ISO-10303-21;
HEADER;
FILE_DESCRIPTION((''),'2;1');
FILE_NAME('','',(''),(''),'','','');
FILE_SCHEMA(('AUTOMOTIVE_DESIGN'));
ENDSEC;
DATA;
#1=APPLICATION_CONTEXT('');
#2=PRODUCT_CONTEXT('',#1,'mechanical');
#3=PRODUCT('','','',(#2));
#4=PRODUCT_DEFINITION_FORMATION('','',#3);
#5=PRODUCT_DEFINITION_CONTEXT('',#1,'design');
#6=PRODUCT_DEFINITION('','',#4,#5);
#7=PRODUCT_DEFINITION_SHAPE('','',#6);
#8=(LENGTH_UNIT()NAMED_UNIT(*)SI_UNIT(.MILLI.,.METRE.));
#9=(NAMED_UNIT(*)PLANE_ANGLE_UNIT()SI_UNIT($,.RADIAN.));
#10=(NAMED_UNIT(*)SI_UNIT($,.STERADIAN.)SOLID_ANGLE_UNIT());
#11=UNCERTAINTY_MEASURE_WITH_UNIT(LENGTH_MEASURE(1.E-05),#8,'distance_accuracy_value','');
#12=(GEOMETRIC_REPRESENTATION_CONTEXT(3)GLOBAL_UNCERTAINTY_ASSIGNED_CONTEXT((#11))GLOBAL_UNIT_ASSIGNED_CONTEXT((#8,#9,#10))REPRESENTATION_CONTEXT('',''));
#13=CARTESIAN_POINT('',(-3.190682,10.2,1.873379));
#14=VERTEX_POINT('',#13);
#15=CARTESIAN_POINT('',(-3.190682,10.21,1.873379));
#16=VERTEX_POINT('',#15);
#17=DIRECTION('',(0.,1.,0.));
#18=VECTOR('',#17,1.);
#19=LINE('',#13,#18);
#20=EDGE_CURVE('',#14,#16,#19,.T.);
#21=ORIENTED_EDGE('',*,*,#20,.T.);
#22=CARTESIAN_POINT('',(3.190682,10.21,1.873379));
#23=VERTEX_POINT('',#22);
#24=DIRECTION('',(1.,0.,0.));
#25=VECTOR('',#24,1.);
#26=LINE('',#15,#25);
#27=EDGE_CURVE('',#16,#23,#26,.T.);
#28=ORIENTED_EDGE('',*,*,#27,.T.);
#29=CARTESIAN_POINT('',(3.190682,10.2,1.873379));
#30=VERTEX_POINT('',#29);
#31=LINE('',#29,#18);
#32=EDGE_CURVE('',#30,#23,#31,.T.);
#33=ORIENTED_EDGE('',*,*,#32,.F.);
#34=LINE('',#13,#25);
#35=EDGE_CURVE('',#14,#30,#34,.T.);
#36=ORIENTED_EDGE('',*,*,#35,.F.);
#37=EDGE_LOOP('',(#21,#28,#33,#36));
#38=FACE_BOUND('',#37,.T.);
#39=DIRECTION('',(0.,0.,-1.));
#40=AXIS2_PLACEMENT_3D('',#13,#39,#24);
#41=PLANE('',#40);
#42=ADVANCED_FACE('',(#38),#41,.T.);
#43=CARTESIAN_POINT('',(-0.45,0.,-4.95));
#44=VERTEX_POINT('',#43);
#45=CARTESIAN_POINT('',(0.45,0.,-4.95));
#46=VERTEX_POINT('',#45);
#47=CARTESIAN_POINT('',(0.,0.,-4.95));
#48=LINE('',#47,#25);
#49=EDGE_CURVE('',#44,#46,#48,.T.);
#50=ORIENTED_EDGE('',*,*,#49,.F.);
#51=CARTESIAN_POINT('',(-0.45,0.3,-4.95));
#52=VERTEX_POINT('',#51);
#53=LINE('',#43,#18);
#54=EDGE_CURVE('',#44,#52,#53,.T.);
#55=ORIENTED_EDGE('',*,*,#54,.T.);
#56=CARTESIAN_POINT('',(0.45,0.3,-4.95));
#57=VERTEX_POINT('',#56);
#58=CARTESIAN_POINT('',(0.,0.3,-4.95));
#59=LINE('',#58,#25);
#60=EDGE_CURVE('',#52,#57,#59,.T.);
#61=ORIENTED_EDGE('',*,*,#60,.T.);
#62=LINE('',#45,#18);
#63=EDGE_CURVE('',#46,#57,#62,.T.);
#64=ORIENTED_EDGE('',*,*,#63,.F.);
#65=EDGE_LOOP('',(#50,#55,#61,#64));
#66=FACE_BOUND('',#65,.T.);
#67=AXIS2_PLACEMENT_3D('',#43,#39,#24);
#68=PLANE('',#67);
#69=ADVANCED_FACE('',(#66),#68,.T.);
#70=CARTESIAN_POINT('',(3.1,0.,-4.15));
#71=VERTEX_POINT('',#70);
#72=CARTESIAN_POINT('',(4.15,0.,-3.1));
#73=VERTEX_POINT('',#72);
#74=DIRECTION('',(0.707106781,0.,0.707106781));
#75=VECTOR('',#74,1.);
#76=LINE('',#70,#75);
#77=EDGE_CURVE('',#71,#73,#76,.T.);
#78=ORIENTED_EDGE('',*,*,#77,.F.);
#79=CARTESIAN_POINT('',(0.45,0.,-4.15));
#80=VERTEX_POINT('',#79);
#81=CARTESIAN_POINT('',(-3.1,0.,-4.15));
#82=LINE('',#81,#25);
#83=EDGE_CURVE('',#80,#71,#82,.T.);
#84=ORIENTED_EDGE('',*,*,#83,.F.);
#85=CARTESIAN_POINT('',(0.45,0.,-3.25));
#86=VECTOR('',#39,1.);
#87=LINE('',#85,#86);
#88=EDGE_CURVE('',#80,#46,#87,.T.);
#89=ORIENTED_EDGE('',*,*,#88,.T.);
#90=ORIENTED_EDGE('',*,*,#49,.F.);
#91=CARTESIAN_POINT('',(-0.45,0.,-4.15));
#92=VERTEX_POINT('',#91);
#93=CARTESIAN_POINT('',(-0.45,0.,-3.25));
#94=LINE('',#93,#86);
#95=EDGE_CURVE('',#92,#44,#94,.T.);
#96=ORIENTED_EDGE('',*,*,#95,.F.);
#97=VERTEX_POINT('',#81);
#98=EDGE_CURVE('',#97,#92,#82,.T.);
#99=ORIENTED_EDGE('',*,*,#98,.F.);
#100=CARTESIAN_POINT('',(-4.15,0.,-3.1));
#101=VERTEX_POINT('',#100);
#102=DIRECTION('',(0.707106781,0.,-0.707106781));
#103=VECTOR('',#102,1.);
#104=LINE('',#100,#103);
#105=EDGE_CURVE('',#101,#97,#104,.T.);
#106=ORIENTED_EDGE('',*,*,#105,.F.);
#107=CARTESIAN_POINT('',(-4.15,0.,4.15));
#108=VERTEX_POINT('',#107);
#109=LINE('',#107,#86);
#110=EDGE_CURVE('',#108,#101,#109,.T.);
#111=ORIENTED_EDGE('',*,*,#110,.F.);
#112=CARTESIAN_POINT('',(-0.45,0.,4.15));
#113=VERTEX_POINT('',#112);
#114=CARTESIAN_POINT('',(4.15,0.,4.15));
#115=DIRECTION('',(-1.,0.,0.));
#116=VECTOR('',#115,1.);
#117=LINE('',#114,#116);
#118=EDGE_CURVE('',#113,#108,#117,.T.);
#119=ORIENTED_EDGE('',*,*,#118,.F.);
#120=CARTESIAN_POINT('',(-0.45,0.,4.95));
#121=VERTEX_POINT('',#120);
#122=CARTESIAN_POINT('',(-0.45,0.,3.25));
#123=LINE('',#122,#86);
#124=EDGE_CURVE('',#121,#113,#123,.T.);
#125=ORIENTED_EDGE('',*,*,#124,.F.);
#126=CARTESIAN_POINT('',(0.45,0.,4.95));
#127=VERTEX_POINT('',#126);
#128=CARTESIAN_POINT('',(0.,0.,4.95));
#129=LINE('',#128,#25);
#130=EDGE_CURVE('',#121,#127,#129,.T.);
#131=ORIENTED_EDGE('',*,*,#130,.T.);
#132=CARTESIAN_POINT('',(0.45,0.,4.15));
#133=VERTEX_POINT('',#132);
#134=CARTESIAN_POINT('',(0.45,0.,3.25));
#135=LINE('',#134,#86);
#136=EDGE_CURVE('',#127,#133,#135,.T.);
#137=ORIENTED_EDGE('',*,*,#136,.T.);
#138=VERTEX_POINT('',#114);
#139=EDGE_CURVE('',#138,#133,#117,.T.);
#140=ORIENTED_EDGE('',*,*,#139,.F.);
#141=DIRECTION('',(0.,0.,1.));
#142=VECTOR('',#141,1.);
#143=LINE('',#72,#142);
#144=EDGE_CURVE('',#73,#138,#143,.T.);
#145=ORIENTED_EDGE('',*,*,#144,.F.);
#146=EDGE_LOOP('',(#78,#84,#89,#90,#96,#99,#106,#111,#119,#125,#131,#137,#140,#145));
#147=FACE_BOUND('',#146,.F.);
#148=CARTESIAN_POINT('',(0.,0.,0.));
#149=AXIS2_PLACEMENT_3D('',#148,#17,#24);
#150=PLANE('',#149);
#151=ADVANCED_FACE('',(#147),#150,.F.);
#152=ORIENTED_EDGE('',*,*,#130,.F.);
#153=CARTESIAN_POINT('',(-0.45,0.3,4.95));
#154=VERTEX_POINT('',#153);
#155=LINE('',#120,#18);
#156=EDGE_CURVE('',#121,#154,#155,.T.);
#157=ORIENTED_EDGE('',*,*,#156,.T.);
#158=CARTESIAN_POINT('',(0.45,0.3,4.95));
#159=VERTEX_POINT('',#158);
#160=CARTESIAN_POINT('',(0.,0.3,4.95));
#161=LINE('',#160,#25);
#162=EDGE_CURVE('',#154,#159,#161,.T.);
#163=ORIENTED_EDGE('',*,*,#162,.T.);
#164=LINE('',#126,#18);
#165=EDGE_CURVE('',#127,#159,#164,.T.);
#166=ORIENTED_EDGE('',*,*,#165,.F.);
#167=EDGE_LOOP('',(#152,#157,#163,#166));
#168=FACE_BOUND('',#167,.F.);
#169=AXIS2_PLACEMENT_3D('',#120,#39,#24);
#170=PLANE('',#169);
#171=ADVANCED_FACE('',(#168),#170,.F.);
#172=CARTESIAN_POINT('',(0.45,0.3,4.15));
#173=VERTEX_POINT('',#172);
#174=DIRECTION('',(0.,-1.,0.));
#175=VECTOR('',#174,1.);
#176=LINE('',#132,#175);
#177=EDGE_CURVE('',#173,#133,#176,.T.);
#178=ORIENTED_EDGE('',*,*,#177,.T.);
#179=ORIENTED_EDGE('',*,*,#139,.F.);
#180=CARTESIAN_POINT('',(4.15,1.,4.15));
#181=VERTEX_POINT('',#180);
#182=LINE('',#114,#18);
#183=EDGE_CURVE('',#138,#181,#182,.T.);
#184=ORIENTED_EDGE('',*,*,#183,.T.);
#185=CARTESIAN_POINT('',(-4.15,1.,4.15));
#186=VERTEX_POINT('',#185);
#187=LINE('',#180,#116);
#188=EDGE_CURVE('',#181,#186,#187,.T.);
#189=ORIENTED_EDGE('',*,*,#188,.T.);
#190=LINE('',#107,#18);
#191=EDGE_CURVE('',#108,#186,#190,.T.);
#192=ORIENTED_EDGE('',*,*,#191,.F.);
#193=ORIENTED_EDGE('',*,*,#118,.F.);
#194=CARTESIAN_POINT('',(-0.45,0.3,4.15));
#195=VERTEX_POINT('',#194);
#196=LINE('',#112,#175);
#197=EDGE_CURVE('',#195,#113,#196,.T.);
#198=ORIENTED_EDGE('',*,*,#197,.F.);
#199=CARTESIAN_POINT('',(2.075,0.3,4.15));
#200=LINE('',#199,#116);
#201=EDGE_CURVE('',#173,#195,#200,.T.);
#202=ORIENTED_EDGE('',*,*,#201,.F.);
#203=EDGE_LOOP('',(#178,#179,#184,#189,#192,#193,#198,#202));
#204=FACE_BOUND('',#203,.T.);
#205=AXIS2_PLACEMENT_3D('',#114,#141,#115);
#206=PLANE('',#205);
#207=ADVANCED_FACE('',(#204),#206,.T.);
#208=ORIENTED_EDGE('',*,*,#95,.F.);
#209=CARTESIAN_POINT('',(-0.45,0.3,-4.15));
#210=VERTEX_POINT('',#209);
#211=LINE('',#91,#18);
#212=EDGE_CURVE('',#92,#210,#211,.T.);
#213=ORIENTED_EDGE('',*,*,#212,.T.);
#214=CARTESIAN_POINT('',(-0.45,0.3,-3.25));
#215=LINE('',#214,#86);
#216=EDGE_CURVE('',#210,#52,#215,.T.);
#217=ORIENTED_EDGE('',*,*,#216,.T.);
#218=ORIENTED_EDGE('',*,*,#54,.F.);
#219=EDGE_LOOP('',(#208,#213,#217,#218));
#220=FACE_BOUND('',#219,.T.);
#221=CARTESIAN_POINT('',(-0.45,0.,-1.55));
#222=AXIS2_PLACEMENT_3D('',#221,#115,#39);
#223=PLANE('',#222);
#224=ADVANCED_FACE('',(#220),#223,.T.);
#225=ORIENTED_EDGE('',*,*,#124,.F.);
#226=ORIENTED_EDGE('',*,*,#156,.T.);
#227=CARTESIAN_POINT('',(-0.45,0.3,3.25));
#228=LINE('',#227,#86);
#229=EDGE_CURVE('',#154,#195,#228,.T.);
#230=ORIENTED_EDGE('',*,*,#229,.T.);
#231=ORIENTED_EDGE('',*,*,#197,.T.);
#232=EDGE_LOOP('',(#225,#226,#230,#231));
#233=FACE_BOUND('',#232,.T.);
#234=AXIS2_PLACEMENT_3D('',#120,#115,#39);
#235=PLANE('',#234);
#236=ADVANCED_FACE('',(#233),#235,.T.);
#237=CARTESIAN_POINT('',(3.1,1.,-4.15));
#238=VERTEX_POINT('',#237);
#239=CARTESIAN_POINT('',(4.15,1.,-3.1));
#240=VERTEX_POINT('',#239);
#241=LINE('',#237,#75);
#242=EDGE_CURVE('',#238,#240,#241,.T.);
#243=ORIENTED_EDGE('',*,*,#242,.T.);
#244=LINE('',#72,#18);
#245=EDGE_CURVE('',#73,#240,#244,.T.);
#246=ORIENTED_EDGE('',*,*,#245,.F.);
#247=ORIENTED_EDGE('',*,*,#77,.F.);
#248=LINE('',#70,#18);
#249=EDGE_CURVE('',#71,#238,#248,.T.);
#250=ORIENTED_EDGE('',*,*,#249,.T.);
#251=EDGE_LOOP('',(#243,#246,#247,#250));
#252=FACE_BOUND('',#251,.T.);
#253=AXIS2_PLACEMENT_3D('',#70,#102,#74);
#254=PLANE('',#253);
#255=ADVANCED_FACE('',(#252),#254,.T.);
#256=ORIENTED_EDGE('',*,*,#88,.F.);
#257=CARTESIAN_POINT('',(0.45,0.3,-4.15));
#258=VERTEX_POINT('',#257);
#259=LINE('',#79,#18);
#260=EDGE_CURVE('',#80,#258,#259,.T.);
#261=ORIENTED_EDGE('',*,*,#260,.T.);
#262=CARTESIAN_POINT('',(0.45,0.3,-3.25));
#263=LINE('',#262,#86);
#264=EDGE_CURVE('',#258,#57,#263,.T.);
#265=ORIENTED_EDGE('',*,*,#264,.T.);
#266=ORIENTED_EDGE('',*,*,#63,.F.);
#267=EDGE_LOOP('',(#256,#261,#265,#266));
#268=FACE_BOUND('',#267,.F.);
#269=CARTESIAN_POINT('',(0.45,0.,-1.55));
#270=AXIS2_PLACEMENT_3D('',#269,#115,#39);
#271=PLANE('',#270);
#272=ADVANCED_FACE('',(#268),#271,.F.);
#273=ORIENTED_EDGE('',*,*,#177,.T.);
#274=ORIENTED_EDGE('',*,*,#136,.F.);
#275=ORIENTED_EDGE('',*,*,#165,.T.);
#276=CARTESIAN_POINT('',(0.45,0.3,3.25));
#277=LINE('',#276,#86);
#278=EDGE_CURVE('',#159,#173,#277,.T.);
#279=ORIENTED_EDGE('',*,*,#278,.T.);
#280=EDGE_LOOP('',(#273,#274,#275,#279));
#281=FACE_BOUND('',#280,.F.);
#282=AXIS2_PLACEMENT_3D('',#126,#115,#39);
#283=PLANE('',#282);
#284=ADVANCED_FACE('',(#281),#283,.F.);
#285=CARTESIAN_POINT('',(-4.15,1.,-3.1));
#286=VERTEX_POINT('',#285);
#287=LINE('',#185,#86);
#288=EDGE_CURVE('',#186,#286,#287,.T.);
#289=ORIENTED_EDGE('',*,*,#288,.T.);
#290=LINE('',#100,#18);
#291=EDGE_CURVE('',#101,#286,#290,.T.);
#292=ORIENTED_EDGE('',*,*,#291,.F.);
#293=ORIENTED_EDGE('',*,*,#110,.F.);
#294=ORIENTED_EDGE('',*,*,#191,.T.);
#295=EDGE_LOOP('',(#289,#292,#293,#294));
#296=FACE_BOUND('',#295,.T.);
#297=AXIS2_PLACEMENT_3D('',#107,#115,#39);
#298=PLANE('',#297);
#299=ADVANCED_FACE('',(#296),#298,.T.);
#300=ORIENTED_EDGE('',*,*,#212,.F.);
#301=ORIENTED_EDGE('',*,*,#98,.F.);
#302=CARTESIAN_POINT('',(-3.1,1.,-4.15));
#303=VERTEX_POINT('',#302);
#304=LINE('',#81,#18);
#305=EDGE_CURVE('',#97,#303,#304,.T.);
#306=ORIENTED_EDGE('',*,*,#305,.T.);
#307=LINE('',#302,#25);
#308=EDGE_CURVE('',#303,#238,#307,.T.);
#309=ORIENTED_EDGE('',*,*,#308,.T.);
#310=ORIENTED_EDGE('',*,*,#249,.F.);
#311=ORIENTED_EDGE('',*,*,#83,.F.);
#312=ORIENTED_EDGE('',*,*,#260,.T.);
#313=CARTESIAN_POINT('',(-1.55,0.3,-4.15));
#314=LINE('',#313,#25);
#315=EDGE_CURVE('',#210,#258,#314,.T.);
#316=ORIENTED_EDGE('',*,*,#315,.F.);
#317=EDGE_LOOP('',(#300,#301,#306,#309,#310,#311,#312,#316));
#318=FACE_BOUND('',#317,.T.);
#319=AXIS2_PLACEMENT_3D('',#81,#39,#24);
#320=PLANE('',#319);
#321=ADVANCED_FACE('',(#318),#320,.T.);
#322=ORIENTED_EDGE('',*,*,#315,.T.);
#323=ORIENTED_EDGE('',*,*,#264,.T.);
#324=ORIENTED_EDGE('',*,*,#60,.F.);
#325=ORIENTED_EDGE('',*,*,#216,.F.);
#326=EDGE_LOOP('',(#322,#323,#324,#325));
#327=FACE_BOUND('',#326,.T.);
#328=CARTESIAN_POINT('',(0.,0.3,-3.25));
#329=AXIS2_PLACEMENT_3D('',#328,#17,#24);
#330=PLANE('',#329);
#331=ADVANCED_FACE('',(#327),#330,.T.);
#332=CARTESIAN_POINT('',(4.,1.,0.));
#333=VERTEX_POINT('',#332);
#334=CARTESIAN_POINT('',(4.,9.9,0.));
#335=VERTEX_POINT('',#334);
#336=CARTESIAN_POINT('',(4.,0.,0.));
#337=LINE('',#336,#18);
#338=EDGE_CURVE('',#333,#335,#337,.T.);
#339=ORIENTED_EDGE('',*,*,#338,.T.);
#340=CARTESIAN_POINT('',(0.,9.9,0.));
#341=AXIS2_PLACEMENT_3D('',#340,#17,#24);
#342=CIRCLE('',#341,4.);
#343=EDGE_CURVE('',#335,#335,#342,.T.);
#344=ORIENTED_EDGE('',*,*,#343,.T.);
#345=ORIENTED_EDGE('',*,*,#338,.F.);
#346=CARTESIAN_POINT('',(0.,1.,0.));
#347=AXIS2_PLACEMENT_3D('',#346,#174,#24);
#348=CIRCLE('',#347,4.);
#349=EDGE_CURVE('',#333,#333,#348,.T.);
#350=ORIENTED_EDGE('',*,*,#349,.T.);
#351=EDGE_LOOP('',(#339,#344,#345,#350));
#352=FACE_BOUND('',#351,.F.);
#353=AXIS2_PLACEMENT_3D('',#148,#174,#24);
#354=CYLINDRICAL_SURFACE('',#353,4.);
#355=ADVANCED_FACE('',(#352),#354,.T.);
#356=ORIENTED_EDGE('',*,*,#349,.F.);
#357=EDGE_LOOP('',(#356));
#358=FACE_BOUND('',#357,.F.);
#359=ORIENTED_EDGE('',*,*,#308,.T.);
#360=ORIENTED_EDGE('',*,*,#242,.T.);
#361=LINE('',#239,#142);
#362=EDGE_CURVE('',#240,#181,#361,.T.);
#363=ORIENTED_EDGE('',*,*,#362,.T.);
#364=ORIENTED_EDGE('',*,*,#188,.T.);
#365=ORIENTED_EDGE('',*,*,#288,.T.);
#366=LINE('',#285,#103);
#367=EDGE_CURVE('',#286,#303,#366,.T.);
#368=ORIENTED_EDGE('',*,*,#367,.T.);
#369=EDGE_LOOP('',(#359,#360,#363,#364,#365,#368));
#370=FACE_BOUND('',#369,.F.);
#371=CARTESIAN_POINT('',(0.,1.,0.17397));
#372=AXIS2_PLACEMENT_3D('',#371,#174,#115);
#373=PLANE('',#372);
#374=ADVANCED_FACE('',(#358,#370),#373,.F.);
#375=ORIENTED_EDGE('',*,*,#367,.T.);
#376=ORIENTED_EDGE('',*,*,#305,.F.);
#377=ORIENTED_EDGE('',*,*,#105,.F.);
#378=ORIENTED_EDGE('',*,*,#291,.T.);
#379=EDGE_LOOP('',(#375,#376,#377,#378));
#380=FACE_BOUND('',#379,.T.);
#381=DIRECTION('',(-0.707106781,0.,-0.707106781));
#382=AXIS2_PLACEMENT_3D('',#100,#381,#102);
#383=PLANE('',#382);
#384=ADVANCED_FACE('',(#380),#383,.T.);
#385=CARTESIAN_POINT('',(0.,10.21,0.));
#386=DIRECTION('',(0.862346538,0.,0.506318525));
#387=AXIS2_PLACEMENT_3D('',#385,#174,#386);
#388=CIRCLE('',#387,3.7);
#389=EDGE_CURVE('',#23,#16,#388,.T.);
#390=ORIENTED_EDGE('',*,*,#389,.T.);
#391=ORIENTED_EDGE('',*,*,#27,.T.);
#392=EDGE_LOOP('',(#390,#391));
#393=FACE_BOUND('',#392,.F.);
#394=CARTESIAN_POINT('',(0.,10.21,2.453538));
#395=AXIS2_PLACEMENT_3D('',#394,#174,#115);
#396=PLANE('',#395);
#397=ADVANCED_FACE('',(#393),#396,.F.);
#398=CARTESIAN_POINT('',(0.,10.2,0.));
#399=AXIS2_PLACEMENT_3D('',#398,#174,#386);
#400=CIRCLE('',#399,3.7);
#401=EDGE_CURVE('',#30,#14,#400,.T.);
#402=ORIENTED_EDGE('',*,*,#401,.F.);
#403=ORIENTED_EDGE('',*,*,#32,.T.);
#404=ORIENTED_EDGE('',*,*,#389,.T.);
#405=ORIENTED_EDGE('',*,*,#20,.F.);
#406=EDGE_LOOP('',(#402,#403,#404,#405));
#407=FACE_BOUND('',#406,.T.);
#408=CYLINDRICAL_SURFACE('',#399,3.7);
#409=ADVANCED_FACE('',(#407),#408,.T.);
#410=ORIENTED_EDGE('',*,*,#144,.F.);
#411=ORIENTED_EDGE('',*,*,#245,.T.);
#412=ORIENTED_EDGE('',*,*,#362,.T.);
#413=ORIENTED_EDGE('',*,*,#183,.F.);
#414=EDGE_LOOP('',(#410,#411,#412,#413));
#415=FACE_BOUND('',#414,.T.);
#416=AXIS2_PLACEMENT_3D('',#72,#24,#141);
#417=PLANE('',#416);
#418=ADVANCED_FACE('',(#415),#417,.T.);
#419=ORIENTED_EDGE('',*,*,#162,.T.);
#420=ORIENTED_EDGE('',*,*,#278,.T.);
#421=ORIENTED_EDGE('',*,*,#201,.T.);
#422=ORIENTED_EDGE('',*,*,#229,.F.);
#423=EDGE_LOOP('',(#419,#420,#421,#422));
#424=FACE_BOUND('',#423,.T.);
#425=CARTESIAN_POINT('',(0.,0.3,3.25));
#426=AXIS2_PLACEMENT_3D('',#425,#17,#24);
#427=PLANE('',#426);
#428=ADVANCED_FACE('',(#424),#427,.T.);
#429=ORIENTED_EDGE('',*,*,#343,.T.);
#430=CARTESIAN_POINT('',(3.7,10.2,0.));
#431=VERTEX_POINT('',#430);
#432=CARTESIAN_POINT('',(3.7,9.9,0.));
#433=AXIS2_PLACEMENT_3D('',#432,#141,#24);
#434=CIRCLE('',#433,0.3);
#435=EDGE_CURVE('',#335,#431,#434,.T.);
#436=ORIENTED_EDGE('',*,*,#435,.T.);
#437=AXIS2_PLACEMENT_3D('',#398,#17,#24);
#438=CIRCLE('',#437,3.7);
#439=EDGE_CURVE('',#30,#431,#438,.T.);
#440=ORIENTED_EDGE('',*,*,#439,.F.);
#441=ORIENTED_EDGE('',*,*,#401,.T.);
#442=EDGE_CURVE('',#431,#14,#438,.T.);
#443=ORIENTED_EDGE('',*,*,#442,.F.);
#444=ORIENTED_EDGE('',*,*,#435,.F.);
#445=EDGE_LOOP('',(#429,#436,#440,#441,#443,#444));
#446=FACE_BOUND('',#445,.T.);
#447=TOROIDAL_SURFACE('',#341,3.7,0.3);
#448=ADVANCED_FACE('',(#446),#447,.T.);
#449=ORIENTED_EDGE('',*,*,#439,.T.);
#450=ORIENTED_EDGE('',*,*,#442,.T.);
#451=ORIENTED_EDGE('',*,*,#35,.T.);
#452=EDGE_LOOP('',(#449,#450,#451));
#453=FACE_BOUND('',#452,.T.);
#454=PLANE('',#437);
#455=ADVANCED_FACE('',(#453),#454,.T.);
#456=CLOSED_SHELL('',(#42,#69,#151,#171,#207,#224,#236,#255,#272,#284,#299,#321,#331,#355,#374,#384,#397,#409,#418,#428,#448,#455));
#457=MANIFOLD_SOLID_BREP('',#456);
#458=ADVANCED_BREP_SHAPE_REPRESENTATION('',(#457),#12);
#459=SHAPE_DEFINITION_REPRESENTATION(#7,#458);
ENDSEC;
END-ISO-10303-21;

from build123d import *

# Parameters (mm, degrees)
BOSS_EXTRUDE1_DEPTH = 1
SKETCH3_R           = 4
BOSS_EXTRUDE2_DEPTH = 10.2
FILLET1_R           = 0.3
SKETCH4_W           = 0.9
SKETCH4_H           = 3.4
BOSS_EXTRUDE3_DEPTH = 0.3
BOSS_EXTRUDE4_DEPTH = 0.01


with BuildPart() as part:
    # Sketch2 → Boss-Extrude1 (new body)
    with BuildSketch(Plane(origin=(0, 0, 0), x_dir=(1, 0, 0), z_dir=(0, 1, 0))):
        Polygon((4.15, -4.15), (-4.15, -4.15), (-4.15, 3.1), (-3.1, 4.15), (3.1, 4.15), (4.15, 3.1), align=None)
    extrude(amount=BOSS_EXTRUDE1_DEPTH)

    # Sketch3 → Boss-Extrude2 (add)
    with BuildSketch(Plane(origin=(0, 0, 0), x_dir=(1, 0, 0), z_dir=(0, 1, 0))):
        Circle(SKETCH3_R)
    extrude(amount=BOSS_EXTRUDE2_DEPTH)

    # Fillet1
    fillet1_edges = [part.edges().sort_by_distance(p)[0] for p in [
        (-4, 10.2, 0),
    ]]
    fillet(fillet1_edges, radius=FILLET1_R)

    # Sketch4 → Boss-Extrude3 (add)
    with BuildSketch(Plane(origin=(0, 0, 0), x_dir=(1, 0, 0), z_dir=(0, 1, 0))):
        with Locations((0, 3.25)):
            Rectangle(SKETCH4_W, SKETCH4_H)
        with Locations((0, -3.25)):
            Rectangle(SKETCH4_W, SKETCH4_H)
    extrude(amount=BOSS_EXTRUDE3_DEPTH)

    # Sketch5 → Boss-Extrude4 (add)
    with BuildSketch(Plane(origin=(0, 10.2, 0), x_dir=(1, 0, 0), z_dir=(0, 1, 0))):
        with BuildLine():
            Line((-3.190682189, -1.873378544), (3.190682189, -1.873378544))
            ThreePointArc((3.190682189, -1.873378544), (0, -3.7), (-3.190682189, -1.873378544))
        make_face()
    extrude(amount=BOSS_EXTRUDE4_DEPTH)


solid = part.part
